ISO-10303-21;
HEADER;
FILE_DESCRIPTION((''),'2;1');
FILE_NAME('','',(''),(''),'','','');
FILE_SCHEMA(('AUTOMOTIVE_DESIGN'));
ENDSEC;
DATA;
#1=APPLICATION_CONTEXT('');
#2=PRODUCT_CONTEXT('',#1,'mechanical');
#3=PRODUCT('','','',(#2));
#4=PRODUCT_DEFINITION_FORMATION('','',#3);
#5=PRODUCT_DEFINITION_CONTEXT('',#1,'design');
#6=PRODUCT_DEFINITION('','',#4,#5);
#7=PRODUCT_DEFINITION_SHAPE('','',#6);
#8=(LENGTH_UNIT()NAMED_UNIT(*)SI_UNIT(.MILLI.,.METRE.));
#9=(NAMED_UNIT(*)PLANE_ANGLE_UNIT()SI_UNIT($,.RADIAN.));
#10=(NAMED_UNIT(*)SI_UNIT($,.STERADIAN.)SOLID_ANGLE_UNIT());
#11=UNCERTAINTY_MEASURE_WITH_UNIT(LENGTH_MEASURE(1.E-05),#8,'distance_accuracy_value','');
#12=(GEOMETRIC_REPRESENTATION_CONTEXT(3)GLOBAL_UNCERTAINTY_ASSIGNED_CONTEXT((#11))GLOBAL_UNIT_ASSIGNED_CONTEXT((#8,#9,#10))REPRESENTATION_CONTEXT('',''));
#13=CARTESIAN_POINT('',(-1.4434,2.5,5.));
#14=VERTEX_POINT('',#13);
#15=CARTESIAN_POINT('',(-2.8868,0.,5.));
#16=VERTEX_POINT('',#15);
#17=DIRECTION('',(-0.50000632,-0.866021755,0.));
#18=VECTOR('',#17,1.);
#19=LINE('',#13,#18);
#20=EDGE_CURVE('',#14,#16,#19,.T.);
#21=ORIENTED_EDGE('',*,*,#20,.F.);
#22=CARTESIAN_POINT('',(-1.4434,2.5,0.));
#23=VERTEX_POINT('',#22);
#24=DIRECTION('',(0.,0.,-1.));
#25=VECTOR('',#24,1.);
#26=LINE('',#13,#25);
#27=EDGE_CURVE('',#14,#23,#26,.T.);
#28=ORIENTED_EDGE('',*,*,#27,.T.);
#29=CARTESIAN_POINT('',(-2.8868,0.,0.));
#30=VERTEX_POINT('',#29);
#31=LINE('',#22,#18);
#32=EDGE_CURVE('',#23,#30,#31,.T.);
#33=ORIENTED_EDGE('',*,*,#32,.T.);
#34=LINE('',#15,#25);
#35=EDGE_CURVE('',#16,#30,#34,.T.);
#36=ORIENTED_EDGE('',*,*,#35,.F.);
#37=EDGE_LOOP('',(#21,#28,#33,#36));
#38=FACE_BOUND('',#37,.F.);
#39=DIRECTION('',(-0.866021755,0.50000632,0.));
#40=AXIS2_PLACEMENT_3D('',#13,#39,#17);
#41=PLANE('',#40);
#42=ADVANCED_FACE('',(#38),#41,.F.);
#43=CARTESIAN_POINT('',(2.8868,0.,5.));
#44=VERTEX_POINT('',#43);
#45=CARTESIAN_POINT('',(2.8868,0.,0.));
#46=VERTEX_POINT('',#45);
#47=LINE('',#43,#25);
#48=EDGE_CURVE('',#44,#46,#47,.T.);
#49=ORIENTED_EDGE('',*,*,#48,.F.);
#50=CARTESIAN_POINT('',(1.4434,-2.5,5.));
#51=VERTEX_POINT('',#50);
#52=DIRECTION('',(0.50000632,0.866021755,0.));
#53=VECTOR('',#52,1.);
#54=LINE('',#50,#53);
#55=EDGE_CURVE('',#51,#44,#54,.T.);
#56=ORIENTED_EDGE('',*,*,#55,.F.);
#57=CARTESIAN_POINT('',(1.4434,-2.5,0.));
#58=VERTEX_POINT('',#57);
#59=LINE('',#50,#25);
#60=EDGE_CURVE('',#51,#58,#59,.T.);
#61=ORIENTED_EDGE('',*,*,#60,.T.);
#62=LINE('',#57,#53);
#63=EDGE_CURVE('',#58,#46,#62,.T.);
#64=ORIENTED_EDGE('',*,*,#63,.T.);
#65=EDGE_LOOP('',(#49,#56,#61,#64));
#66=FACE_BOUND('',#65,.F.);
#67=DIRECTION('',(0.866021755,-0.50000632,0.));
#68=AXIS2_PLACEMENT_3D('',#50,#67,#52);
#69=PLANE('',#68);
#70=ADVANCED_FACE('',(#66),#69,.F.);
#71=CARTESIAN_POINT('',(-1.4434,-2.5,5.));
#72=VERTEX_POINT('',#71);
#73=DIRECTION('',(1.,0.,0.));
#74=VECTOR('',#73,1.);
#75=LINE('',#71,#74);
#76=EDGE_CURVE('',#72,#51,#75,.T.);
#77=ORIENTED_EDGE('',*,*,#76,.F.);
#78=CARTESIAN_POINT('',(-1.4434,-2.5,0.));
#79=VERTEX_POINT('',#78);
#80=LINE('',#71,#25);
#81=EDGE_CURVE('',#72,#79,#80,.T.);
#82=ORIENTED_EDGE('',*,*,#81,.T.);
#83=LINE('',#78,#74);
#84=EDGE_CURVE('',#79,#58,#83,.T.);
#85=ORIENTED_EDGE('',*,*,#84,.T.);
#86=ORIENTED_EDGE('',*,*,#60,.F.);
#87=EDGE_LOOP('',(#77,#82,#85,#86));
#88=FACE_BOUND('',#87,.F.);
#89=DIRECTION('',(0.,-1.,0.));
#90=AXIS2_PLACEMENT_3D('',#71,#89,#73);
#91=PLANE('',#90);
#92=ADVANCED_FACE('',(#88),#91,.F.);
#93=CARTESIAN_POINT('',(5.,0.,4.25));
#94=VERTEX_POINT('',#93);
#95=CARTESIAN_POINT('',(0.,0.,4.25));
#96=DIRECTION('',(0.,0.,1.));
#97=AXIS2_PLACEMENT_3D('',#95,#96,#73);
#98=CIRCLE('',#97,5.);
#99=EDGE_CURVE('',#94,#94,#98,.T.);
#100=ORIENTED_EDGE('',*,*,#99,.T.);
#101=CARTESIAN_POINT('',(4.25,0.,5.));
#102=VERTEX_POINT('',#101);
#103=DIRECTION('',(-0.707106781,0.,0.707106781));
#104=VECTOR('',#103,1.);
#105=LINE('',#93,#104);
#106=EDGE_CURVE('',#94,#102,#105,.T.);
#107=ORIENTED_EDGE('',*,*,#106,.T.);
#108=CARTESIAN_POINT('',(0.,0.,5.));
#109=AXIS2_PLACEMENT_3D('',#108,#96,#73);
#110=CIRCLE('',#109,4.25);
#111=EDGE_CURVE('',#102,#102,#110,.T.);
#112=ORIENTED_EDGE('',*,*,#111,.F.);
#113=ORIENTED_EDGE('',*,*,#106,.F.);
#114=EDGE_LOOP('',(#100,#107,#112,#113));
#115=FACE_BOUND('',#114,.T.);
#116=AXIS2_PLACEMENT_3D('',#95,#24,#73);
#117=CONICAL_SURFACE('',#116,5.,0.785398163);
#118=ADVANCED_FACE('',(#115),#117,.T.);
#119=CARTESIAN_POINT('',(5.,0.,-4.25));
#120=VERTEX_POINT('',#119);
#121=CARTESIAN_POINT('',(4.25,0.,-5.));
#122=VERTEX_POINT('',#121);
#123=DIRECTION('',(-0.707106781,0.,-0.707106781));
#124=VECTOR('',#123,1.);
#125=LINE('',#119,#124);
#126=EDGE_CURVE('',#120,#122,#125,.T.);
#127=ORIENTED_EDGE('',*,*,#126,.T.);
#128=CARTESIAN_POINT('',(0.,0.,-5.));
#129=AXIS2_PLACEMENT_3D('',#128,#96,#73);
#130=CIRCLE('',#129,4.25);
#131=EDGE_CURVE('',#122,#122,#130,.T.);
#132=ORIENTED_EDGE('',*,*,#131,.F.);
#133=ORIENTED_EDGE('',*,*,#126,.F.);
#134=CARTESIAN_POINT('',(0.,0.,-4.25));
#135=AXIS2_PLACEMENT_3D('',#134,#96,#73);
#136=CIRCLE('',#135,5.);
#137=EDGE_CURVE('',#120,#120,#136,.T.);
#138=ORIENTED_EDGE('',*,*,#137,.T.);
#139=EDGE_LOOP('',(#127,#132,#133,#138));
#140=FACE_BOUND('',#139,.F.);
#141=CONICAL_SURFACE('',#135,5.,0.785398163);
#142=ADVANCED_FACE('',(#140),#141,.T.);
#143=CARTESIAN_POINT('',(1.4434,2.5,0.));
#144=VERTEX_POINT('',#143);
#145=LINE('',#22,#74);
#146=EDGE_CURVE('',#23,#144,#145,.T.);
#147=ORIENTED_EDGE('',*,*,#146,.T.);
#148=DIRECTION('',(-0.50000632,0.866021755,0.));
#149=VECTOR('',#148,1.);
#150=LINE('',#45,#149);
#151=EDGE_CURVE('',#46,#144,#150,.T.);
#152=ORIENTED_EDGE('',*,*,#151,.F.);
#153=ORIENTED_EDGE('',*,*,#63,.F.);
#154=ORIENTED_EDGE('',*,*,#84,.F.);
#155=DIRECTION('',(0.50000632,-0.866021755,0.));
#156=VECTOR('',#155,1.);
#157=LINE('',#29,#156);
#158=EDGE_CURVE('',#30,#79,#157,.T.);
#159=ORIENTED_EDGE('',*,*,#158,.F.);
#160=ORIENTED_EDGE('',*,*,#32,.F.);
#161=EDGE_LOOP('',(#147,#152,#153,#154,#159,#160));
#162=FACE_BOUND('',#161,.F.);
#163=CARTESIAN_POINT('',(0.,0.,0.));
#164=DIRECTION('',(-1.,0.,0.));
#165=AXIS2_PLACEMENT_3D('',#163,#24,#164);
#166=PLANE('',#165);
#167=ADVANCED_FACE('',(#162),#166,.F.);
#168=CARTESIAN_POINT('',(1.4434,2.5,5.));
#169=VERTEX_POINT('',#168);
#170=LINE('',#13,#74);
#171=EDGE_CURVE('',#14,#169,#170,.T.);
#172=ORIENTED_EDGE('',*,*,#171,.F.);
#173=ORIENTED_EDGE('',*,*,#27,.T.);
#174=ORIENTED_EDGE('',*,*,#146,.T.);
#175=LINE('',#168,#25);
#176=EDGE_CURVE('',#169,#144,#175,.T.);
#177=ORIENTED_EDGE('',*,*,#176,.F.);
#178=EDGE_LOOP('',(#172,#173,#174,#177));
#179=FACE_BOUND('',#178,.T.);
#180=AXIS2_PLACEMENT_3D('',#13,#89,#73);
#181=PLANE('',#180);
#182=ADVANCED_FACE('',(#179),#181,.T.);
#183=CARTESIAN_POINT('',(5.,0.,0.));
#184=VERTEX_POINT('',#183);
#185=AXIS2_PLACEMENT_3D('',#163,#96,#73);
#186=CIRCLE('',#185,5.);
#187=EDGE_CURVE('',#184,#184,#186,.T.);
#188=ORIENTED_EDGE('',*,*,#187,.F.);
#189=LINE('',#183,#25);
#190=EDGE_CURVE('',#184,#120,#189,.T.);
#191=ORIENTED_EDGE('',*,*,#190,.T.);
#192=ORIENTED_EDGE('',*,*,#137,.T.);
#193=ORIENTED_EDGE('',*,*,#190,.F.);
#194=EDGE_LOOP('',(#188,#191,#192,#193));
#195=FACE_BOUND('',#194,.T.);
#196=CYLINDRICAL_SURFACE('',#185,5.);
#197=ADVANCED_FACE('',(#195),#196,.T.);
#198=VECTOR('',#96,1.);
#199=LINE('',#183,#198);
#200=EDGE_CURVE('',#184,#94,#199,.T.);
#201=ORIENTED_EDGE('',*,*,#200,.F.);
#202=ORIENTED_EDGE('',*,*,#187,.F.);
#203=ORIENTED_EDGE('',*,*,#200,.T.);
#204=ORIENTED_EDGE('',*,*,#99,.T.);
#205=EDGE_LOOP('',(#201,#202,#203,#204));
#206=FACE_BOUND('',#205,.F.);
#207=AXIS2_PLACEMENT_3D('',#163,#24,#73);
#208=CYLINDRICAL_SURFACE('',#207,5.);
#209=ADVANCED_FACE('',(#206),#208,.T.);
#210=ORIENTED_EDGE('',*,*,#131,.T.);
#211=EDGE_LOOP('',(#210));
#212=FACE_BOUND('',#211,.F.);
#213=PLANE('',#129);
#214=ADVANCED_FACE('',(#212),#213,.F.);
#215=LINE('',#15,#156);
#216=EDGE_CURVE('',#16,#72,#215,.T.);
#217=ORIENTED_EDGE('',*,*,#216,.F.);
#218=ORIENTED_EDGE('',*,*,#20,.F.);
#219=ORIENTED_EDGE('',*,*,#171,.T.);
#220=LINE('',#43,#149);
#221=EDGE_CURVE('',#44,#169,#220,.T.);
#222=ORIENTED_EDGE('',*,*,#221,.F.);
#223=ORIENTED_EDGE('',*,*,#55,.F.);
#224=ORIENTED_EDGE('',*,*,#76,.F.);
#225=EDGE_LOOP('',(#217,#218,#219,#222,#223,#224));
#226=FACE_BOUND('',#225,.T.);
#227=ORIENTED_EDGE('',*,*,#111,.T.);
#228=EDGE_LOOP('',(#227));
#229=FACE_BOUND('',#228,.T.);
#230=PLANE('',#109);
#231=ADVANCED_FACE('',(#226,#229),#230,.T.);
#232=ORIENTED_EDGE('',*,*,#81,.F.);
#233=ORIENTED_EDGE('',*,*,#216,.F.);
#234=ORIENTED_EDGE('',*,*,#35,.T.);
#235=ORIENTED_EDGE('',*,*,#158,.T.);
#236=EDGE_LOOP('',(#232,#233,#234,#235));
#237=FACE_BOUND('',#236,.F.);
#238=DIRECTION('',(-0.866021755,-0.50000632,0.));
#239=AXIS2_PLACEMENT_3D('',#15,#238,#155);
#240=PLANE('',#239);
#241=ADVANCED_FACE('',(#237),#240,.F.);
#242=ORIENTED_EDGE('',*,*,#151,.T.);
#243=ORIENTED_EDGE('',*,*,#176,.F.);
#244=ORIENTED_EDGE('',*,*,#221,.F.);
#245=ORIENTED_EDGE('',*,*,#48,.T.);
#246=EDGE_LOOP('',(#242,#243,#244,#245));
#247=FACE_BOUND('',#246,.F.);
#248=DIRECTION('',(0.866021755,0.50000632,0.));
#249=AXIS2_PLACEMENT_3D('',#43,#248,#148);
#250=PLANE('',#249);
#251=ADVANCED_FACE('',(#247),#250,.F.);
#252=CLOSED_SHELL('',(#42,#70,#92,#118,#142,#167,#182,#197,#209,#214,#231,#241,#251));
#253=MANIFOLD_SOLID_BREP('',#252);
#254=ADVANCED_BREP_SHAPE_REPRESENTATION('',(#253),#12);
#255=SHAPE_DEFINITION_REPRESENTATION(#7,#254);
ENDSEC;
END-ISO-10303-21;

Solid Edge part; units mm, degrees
sketch "Sketch1" plane through (0, 0, 0) normal (0, 0, 1) x (1, 0, 0)
  circle A0 centre (0, 0) radius 5
  dimension "D1" = 10
extrude "Protrusion1" add sketch "Sketch1" along normal mid plane 10
chamfer "Chamfer1" distance 0.75 angle 45 2 edges at (-5, 0, -5) (-5, 0, 5)
sketch "Sketch2" plane through (0, 0, 5) normal (0, 0, 1) x (1, 0, 0)
  line L0 (-1.4434, 2.5) -> (1.4434, 2.5)
  line L1 (2.8868, 0) -> (1.4434, 2.5)
  line L2 (1.4434, -2.5) -> (2.8868, 0)
  line L3 (-1.4434, -2.5) -> (1.4434, -2.5)
  line L4 (-2.8868, 0) -> (-1.4434, -2.5)
  line L5 (-1.4434, 2.5) -> (-2.8868, 0)
  dimension "D1" = 5
extrude "Cutout1" cut sketch "Sketch2" against normal blind 5
properties part number "24104460"
